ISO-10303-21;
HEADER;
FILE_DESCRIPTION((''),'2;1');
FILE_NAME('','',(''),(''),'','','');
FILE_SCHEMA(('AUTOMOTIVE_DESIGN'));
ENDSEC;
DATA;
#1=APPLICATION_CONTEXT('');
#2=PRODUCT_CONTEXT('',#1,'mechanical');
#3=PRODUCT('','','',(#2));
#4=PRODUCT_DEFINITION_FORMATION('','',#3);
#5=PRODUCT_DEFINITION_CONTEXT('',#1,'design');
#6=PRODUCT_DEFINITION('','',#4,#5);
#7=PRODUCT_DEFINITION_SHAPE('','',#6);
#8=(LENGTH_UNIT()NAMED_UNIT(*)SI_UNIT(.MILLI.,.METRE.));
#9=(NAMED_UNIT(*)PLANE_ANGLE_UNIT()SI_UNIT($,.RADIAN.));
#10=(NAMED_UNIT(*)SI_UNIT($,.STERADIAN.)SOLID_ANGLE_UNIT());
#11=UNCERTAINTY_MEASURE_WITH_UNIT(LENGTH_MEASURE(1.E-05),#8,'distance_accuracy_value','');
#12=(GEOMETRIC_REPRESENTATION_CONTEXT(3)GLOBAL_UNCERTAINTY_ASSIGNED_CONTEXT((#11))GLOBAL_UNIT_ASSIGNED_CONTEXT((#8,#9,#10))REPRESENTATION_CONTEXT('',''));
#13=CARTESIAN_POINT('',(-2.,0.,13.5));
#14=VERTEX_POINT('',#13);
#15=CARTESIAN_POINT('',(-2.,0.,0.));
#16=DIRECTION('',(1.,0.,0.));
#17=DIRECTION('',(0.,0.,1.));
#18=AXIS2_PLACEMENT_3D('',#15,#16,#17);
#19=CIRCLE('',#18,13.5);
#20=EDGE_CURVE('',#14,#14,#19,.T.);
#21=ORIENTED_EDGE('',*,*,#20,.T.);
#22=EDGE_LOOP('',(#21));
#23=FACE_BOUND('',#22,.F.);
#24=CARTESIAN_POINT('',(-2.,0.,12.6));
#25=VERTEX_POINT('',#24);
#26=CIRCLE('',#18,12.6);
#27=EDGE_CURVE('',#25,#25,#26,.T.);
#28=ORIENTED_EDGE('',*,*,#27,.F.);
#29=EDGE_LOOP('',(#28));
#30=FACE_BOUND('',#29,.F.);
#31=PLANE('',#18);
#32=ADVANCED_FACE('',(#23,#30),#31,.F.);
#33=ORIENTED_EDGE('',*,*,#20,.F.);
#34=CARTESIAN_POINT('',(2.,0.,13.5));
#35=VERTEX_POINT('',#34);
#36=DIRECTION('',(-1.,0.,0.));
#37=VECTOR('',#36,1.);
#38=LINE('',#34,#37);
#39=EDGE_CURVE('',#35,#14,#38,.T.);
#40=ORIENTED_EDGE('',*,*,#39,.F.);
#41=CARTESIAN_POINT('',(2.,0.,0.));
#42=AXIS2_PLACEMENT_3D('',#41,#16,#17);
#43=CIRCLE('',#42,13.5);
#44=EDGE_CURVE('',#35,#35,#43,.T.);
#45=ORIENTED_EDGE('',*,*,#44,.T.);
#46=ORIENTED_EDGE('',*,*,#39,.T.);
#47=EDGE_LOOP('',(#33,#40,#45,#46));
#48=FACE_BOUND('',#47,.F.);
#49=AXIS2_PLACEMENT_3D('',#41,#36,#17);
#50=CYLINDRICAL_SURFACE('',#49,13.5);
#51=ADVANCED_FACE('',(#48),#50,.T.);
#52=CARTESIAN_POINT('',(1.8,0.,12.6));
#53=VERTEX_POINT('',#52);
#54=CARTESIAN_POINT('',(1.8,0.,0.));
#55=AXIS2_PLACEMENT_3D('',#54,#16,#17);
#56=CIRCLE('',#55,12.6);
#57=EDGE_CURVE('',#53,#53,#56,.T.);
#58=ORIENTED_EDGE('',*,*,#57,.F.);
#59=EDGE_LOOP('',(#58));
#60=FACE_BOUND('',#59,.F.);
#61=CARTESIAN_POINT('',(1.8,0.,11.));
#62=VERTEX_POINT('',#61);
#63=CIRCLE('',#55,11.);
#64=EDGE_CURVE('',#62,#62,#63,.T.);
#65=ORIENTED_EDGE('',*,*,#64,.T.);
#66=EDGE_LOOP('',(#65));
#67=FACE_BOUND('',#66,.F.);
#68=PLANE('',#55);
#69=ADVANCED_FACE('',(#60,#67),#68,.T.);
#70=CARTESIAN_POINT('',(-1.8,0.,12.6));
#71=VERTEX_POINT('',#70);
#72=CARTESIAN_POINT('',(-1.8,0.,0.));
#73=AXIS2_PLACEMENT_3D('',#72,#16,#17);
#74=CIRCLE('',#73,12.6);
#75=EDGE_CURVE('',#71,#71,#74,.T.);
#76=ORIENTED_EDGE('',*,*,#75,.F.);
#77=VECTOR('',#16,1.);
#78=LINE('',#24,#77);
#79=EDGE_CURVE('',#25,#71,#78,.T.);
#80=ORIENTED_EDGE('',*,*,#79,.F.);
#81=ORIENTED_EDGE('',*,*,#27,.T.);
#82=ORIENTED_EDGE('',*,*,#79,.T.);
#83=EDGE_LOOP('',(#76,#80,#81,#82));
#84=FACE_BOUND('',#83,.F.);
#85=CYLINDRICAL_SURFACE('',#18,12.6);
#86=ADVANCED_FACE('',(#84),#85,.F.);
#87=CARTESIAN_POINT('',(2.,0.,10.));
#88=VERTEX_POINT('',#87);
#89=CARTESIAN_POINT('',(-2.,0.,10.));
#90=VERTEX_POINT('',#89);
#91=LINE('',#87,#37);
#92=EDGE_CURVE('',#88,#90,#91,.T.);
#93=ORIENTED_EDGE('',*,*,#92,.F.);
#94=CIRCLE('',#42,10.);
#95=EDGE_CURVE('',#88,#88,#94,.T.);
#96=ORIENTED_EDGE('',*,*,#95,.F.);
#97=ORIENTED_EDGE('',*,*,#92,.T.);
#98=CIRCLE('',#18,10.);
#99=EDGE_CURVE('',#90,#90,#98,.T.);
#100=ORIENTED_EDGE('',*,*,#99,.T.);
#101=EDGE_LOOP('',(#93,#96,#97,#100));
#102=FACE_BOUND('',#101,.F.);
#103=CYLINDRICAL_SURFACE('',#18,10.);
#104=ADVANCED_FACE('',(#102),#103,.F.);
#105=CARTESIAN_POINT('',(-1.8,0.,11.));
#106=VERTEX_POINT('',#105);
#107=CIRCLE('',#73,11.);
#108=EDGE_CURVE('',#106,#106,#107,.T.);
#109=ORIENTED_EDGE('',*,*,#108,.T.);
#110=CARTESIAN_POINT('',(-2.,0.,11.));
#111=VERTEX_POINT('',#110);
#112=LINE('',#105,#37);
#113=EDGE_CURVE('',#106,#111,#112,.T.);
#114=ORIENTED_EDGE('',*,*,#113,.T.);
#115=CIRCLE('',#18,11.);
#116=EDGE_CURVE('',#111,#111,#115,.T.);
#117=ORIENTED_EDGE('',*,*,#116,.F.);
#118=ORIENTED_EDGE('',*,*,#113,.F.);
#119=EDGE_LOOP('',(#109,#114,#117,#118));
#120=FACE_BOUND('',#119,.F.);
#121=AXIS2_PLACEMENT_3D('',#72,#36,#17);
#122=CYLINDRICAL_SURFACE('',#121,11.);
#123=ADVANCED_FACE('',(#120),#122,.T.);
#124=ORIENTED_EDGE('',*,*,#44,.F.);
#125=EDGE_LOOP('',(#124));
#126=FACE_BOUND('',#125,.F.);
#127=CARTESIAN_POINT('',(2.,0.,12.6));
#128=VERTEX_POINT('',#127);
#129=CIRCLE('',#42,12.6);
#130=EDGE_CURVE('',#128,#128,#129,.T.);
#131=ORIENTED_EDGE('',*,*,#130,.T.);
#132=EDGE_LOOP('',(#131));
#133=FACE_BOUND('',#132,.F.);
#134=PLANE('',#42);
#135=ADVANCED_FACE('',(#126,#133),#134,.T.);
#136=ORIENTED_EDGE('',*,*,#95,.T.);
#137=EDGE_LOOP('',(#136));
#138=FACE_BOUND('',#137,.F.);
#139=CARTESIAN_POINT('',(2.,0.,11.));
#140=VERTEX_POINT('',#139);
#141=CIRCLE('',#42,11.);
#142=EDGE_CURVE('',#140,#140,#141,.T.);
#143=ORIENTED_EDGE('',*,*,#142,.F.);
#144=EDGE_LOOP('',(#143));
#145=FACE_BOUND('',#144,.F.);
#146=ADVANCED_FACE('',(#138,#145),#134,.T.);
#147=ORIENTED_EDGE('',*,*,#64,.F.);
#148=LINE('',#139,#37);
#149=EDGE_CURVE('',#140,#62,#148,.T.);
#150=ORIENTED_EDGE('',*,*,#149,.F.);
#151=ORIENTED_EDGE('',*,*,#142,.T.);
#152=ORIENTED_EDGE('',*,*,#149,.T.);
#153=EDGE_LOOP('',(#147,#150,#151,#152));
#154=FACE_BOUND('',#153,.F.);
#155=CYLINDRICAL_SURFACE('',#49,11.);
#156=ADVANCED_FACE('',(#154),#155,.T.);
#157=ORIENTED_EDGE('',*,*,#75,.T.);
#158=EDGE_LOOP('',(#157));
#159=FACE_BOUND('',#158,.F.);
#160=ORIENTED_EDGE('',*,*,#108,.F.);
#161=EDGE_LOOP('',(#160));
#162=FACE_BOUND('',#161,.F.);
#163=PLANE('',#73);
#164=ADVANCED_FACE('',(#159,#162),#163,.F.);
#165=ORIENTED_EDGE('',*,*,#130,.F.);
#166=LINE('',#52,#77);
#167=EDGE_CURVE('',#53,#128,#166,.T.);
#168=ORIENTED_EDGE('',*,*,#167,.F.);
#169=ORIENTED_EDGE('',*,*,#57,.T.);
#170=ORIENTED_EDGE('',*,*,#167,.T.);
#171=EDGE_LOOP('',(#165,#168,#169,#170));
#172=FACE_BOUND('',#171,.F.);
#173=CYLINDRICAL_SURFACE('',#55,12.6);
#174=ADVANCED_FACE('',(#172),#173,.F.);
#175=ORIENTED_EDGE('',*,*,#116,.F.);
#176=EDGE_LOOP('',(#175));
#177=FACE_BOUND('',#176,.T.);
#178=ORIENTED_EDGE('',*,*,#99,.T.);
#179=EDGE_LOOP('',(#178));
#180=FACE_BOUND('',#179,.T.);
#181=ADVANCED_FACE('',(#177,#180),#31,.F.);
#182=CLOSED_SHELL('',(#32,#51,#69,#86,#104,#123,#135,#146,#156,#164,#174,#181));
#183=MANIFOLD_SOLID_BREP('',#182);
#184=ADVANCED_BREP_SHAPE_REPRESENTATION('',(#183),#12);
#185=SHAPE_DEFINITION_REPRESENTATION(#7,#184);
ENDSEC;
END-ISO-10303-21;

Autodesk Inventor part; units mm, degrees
ref_plane "YZ Plane" through (0, 0, 0) normal (1, 0, 0) x (0, 1, 0)
ref_plane "XZ Plane" through (0, 0, 0) normal (0, 1, 0) x (-1, 0, 0)
ref_plane "XY Plane" through (0, 0, 0) normal (0, 0, 1) x (1, 0, 0)
sketch "Skizze1" plane through (0, 0, 0) normal (0, 1, 0) x (-1, 0, 0)
  line L0 (2, 0) -> (-2, 0)
  line L1 (2, 10) -> (-2, 10)
  line L2 (-2, 10) -> (-2, 11)
  line L3 (-2, 11) -> (-1.8, 11)
  line L4 (-1.8, 11) -> (-1.8, 12.6)
  line L5 (-1.8, 12.6) -> (-2, 12.6)
  line L6 (-2, 12.6) -> (-2, 13.5)
  line L7 (-2, 13.5) -> (2, 13.5)
  line L8 (2, 13.5) -> (2, 12.6)
  line L9 (2, 12.6) -> (1.8, 12.6)
  line L10 (1.8, 12.6) -> (1.8, 11)
  line L11 (1.8, 11) -> (2, 11)
  line L12 (2, 10) -> (2, 11)
  line L13 (0, -2.7) -> (0, 16.2) projected
  point P0 (0, 0)
  dimension "d0" = 20
  dimension "d1" = 27
  dimension "d2" = 4
  dimension "d3" = 0.2
  dimension "d4" = 1
  dimension "d5" = 0.9
revolve "Umdrehung1" add sketch "Skizze1" angle 360 about axis through (-2, 0, 0) along (1, 0, 0)
properties part number "Kugellager 6704-ZZ" material "Stahl, weich, geschweißt"
